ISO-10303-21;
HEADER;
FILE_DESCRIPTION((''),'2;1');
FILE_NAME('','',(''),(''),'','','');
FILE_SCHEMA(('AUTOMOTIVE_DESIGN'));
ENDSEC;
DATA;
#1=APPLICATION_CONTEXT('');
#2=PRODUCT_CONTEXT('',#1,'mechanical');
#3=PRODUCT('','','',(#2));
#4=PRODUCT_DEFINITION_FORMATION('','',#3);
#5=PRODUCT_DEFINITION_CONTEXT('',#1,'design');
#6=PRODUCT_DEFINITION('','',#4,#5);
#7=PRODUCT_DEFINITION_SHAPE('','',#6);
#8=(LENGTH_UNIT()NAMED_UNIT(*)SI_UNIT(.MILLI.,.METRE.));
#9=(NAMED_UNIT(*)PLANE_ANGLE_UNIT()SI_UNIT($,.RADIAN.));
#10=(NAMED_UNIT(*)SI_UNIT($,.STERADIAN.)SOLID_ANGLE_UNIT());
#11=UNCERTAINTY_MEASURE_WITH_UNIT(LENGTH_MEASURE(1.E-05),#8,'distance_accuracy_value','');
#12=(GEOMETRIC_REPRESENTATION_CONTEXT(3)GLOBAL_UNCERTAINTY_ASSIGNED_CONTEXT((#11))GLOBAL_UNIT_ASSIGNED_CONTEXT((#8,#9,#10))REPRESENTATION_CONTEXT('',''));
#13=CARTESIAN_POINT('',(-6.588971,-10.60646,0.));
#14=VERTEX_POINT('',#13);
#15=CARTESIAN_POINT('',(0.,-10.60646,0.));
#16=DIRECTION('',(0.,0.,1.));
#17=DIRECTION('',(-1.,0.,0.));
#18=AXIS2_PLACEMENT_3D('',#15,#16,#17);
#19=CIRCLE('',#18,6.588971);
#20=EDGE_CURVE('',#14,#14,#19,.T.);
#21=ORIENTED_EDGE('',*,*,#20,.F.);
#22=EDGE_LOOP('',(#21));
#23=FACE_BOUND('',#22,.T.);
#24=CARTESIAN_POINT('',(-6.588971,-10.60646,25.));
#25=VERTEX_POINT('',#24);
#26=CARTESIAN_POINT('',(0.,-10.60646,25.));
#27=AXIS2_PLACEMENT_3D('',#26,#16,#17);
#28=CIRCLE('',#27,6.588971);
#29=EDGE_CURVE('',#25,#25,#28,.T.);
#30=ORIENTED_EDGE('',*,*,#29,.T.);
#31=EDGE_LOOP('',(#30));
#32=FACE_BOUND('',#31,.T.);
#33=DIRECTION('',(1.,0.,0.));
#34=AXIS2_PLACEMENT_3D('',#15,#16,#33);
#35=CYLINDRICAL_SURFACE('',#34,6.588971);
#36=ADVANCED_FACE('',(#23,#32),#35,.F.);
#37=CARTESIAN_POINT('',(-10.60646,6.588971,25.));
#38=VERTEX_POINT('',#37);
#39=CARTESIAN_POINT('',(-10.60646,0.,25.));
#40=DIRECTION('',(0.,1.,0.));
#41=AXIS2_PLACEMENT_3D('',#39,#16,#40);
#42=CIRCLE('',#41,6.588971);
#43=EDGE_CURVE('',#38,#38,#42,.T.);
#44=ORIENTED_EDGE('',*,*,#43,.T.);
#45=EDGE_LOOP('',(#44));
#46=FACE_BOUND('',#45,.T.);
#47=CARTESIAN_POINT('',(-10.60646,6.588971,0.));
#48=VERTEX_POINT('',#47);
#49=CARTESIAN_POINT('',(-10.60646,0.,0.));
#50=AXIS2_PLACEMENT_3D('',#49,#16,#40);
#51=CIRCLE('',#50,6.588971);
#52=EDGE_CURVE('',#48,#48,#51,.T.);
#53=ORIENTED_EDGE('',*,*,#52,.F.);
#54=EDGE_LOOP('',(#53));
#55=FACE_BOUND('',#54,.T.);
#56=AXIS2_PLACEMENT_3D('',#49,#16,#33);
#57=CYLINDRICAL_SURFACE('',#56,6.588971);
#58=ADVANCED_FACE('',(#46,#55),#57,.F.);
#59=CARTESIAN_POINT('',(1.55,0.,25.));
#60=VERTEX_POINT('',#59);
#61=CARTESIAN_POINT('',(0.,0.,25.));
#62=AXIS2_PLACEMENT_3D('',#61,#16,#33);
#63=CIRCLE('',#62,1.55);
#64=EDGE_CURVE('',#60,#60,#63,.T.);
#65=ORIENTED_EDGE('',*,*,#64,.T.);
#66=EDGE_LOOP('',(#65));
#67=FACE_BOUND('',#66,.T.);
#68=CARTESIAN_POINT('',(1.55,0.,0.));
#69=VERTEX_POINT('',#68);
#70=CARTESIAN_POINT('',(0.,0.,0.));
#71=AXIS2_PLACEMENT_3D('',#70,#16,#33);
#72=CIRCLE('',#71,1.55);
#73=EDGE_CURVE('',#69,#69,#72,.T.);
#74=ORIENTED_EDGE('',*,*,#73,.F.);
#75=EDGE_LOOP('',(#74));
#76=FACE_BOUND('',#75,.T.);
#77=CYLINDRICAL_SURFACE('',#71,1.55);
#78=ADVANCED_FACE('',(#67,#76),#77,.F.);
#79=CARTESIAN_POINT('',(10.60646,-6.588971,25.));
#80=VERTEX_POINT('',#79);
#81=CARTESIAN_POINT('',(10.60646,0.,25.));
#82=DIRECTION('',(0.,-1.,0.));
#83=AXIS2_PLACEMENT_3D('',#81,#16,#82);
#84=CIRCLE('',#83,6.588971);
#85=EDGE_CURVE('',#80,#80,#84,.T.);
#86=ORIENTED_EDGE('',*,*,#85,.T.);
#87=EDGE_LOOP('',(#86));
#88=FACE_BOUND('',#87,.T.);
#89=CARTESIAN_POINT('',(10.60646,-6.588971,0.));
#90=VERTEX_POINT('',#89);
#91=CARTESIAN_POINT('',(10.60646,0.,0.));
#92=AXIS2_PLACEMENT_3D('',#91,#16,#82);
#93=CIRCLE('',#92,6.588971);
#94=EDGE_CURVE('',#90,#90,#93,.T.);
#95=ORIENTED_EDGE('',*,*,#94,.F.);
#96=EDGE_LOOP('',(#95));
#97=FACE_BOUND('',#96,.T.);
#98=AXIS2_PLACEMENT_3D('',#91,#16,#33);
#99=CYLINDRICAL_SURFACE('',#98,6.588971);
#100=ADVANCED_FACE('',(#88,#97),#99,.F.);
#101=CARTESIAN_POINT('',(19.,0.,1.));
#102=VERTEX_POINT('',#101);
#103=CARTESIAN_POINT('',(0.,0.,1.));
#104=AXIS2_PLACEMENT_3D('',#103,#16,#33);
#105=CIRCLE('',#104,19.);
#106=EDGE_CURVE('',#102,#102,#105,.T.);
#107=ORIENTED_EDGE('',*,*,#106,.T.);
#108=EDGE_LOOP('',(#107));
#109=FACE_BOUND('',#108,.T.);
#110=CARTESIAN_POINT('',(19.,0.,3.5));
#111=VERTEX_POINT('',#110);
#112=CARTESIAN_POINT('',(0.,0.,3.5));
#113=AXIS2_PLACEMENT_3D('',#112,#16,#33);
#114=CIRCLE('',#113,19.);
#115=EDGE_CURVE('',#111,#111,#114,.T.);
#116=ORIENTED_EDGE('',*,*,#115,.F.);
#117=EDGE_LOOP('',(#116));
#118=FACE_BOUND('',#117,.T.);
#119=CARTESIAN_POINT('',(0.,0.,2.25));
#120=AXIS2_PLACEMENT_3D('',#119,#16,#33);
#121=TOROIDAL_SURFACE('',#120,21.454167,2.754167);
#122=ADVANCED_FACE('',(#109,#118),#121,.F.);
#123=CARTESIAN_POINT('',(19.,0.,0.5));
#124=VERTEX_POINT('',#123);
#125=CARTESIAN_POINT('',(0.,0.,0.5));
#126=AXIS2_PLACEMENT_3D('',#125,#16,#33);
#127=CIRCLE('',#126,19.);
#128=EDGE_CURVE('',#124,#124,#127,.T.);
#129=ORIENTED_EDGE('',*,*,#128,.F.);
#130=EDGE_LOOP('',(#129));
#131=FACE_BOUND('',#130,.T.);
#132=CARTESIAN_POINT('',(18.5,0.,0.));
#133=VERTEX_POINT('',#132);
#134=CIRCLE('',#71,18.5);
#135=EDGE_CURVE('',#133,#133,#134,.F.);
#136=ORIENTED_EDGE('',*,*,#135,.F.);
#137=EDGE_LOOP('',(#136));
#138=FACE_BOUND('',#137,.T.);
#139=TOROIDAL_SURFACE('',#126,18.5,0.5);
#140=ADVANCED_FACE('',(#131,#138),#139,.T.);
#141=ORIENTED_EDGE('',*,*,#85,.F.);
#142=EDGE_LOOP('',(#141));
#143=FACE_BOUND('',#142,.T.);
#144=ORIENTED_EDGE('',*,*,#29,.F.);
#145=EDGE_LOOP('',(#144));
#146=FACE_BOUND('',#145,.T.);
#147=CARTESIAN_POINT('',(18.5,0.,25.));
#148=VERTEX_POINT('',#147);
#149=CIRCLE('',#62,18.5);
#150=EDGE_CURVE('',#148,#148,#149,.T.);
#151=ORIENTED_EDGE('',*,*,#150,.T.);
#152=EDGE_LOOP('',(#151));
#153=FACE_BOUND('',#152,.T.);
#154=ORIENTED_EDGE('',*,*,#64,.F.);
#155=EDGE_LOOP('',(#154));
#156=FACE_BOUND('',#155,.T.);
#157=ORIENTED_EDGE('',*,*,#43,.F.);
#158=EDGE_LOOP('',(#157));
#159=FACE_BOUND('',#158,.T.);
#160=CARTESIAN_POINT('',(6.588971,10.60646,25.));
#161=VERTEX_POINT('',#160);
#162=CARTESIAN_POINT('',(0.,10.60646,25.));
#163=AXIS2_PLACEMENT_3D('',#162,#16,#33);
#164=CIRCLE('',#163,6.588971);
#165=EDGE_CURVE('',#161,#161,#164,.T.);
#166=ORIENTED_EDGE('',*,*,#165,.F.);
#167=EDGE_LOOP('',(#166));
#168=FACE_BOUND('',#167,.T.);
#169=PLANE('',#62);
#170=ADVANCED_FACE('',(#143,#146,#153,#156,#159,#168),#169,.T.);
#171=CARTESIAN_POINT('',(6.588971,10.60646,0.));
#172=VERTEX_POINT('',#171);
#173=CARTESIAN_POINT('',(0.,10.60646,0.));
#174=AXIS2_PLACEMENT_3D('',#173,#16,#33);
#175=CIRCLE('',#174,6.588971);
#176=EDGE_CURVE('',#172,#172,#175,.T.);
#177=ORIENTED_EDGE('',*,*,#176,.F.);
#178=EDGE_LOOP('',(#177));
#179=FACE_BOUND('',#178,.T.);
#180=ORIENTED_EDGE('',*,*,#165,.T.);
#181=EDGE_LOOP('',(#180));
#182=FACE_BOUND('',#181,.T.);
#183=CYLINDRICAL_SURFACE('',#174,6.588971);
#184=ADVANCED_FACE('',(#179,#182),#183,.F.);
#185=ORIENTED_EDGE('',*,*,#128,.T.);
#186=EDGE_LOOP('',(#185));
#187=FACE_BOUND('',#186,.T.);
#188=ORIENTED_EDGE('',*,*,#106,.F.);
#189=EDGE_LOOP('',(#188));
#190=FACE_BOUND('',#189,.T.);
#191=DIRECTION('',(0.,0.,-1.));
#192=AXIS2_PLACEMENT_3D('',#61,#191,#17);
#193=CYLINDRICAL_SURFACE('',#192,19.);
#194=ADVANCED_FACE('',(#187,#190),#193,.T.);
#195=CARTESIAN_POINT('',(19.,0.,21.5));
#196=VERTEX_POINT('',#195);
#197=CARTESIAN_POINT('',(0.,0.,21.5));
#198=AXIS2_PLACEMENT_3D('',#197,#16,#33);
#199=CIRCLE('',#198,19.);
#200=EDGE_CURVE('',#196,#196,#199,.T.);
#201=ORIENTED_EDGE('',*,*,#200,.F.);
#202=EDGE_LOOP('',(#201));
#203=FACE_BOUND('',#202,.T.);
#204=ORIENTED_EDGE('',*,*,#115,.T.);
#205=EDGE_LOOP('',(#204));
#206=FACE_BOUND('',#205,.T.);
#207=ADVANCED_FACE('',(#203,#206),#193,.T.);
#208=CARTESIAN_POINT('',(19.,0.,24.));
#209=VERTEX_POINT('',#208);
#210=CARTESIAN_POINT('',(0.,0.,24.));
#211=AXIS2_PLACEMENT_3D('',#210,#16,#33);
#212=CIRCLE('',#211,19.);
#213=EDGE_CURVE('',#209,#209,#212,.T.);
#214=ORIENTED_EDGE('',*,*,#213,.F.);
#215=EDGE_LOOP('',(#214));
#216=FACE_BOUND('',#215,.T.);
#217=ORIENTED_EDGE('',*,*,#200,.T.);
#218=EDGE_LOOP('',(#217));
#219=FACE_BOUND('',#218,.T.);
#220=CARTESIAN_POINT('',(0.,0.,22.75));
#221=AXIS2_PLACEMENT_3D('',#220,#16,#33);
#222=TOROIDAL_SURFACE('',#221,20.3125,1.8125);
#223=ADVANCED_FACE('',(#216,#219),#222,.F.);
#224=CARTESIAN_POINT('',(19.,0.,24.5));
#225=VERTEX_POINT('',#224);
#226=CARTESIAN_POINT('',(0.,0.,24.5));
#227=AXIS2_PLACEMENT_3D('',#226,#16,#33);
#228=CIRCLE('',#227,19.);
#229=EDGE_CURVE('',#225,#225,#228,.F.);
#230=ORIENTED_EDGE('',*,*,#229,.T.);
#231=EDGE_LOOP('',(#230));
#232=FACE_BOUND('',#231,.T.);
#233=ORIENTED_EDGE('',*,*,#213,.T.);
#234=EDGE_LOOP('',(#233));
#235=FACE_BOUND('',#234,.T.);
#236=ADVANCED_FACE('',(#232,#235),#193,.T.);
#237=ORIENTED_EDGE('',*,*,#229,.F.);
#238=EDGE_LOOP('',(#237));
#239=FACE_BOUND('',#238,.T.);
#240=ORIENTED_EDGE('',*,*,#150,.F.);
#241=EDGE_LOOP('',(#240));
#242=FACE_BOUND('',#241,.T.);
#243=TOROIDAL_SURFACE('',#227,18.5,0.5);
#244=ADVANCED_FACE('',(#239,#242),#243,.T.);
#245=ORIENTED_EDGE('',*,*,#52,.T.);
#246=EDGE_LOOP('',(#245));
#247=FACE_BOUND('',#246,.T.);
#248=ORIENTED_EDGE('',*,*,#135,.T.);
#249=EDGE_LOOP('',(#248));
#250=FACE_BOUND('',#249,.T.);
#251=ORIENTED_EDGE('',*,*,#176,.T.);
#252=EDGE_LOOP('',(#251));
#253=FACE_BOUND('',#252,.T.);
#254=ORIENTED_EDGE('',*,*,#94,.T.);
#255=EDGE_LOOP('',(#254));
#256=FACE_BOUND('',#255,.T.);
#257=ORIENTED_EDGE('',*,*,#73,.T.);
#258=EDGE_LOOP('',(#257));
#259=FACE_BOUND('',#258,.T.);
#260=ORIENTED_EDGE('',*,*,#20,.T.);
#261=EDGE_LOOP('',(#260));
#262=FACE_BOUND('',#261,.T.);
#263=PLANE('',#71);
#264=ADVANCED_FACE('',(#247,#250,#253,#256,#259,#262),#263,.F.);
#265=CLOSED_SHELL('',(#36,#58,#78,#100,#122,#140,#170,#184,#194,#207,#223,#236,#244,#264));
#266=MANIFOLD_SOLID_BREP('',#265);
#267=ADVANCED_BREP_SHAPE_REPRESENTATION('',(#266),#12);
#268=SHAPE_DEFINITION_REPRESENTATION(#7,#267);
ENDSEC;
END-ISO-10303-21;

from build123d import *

# Parameters (mm, degrees)
SKETCH1_R           = 19
BOSS_EXTRUDE1_DEPTH = 25
FILLET1_R           = 0.5
SKETCH3_R           = 1.55
CUT_EXTRUDE1_DEPTH  = 26.0000001
SKETCH4_R           = 6.58897104
CUT_EXTRUDE2_DEPTH  = 26.0000001
CIRPATTERN1_COUNT   = 4


with BuildPart() as part:
    # Sketch1 → Boss-Extrude1 (new body)
    with BuildSketch(Plane.XY):
        Circle(SKETCH1_R)
    extrude(amount=BOSS_EXTRUDE1_DEPTH)

    # Sketch2 → Cut-Revolve1 (revolve, cut)
    with BuildSketch(Plane(origin=(0, 0, 0), x_dir=(0, 0, -1), z_dir=(1, 0, 0))):
        with BuildLine():
            Line((-24, 19), (-21.5, 19))
            ThreePointArc((-21.5, 19), (-22.75, 18.5), (-24, 19))
        make_face()
        with BuildLine():
            Line((-3.5, 19), (-1, 19))
            ThreePointArc((-1, 19), (-2.25, 18.7), (-3.5, 19))
        make_face()
    revolve(axis=Axis((0, 0, 8.4), (0, 0, -1)), mode=Mode.SUBTRACT)

    # Fillet1
    fillet1_edges = [part.edges().sort_by_distance(p)[0] for p in [
        (-19, 0, 0),
        (-19, 0, 25),
    ]]
    fillet(fillet1_edges, radius=FILLET1_R)

    # Sketch3 → Cut-Extrude1 (cut, through all)
    with BuildSketch(Plane.XY.offset(25)):
        Circle(SKETCH3_R)
    extrude(amount=-CUT_EXTRUDE1_DEPTH, mode=Mode.SUBTRACT)

    # Sketch4 → Cut-Extrude2 (cut, through all)
    with BuildSketch(Plane.XY.offset(25)):
        with Locations((0, 10.60646011)):
            Circle(SKETCH4_R)
    cut_extrude2 = extrude(amount=-CUT_EXTRUDE2_DEPTH, mode=Mode.SUBTRACT)

    # CirPattern1: Cut-Extrude2 ×4 about axis
    cirpattern1_axis = Axis((0, 0, 0), (0, 0, 1))
    for i in range(1, CIRPATTERN1_COUNT):
        add(cut_extrude2.rotate(cirpattern1_axis, i * 360 / CIRPATTERN1_COUNT), mode=Mode.SUBTRACT)


solid = part.part
